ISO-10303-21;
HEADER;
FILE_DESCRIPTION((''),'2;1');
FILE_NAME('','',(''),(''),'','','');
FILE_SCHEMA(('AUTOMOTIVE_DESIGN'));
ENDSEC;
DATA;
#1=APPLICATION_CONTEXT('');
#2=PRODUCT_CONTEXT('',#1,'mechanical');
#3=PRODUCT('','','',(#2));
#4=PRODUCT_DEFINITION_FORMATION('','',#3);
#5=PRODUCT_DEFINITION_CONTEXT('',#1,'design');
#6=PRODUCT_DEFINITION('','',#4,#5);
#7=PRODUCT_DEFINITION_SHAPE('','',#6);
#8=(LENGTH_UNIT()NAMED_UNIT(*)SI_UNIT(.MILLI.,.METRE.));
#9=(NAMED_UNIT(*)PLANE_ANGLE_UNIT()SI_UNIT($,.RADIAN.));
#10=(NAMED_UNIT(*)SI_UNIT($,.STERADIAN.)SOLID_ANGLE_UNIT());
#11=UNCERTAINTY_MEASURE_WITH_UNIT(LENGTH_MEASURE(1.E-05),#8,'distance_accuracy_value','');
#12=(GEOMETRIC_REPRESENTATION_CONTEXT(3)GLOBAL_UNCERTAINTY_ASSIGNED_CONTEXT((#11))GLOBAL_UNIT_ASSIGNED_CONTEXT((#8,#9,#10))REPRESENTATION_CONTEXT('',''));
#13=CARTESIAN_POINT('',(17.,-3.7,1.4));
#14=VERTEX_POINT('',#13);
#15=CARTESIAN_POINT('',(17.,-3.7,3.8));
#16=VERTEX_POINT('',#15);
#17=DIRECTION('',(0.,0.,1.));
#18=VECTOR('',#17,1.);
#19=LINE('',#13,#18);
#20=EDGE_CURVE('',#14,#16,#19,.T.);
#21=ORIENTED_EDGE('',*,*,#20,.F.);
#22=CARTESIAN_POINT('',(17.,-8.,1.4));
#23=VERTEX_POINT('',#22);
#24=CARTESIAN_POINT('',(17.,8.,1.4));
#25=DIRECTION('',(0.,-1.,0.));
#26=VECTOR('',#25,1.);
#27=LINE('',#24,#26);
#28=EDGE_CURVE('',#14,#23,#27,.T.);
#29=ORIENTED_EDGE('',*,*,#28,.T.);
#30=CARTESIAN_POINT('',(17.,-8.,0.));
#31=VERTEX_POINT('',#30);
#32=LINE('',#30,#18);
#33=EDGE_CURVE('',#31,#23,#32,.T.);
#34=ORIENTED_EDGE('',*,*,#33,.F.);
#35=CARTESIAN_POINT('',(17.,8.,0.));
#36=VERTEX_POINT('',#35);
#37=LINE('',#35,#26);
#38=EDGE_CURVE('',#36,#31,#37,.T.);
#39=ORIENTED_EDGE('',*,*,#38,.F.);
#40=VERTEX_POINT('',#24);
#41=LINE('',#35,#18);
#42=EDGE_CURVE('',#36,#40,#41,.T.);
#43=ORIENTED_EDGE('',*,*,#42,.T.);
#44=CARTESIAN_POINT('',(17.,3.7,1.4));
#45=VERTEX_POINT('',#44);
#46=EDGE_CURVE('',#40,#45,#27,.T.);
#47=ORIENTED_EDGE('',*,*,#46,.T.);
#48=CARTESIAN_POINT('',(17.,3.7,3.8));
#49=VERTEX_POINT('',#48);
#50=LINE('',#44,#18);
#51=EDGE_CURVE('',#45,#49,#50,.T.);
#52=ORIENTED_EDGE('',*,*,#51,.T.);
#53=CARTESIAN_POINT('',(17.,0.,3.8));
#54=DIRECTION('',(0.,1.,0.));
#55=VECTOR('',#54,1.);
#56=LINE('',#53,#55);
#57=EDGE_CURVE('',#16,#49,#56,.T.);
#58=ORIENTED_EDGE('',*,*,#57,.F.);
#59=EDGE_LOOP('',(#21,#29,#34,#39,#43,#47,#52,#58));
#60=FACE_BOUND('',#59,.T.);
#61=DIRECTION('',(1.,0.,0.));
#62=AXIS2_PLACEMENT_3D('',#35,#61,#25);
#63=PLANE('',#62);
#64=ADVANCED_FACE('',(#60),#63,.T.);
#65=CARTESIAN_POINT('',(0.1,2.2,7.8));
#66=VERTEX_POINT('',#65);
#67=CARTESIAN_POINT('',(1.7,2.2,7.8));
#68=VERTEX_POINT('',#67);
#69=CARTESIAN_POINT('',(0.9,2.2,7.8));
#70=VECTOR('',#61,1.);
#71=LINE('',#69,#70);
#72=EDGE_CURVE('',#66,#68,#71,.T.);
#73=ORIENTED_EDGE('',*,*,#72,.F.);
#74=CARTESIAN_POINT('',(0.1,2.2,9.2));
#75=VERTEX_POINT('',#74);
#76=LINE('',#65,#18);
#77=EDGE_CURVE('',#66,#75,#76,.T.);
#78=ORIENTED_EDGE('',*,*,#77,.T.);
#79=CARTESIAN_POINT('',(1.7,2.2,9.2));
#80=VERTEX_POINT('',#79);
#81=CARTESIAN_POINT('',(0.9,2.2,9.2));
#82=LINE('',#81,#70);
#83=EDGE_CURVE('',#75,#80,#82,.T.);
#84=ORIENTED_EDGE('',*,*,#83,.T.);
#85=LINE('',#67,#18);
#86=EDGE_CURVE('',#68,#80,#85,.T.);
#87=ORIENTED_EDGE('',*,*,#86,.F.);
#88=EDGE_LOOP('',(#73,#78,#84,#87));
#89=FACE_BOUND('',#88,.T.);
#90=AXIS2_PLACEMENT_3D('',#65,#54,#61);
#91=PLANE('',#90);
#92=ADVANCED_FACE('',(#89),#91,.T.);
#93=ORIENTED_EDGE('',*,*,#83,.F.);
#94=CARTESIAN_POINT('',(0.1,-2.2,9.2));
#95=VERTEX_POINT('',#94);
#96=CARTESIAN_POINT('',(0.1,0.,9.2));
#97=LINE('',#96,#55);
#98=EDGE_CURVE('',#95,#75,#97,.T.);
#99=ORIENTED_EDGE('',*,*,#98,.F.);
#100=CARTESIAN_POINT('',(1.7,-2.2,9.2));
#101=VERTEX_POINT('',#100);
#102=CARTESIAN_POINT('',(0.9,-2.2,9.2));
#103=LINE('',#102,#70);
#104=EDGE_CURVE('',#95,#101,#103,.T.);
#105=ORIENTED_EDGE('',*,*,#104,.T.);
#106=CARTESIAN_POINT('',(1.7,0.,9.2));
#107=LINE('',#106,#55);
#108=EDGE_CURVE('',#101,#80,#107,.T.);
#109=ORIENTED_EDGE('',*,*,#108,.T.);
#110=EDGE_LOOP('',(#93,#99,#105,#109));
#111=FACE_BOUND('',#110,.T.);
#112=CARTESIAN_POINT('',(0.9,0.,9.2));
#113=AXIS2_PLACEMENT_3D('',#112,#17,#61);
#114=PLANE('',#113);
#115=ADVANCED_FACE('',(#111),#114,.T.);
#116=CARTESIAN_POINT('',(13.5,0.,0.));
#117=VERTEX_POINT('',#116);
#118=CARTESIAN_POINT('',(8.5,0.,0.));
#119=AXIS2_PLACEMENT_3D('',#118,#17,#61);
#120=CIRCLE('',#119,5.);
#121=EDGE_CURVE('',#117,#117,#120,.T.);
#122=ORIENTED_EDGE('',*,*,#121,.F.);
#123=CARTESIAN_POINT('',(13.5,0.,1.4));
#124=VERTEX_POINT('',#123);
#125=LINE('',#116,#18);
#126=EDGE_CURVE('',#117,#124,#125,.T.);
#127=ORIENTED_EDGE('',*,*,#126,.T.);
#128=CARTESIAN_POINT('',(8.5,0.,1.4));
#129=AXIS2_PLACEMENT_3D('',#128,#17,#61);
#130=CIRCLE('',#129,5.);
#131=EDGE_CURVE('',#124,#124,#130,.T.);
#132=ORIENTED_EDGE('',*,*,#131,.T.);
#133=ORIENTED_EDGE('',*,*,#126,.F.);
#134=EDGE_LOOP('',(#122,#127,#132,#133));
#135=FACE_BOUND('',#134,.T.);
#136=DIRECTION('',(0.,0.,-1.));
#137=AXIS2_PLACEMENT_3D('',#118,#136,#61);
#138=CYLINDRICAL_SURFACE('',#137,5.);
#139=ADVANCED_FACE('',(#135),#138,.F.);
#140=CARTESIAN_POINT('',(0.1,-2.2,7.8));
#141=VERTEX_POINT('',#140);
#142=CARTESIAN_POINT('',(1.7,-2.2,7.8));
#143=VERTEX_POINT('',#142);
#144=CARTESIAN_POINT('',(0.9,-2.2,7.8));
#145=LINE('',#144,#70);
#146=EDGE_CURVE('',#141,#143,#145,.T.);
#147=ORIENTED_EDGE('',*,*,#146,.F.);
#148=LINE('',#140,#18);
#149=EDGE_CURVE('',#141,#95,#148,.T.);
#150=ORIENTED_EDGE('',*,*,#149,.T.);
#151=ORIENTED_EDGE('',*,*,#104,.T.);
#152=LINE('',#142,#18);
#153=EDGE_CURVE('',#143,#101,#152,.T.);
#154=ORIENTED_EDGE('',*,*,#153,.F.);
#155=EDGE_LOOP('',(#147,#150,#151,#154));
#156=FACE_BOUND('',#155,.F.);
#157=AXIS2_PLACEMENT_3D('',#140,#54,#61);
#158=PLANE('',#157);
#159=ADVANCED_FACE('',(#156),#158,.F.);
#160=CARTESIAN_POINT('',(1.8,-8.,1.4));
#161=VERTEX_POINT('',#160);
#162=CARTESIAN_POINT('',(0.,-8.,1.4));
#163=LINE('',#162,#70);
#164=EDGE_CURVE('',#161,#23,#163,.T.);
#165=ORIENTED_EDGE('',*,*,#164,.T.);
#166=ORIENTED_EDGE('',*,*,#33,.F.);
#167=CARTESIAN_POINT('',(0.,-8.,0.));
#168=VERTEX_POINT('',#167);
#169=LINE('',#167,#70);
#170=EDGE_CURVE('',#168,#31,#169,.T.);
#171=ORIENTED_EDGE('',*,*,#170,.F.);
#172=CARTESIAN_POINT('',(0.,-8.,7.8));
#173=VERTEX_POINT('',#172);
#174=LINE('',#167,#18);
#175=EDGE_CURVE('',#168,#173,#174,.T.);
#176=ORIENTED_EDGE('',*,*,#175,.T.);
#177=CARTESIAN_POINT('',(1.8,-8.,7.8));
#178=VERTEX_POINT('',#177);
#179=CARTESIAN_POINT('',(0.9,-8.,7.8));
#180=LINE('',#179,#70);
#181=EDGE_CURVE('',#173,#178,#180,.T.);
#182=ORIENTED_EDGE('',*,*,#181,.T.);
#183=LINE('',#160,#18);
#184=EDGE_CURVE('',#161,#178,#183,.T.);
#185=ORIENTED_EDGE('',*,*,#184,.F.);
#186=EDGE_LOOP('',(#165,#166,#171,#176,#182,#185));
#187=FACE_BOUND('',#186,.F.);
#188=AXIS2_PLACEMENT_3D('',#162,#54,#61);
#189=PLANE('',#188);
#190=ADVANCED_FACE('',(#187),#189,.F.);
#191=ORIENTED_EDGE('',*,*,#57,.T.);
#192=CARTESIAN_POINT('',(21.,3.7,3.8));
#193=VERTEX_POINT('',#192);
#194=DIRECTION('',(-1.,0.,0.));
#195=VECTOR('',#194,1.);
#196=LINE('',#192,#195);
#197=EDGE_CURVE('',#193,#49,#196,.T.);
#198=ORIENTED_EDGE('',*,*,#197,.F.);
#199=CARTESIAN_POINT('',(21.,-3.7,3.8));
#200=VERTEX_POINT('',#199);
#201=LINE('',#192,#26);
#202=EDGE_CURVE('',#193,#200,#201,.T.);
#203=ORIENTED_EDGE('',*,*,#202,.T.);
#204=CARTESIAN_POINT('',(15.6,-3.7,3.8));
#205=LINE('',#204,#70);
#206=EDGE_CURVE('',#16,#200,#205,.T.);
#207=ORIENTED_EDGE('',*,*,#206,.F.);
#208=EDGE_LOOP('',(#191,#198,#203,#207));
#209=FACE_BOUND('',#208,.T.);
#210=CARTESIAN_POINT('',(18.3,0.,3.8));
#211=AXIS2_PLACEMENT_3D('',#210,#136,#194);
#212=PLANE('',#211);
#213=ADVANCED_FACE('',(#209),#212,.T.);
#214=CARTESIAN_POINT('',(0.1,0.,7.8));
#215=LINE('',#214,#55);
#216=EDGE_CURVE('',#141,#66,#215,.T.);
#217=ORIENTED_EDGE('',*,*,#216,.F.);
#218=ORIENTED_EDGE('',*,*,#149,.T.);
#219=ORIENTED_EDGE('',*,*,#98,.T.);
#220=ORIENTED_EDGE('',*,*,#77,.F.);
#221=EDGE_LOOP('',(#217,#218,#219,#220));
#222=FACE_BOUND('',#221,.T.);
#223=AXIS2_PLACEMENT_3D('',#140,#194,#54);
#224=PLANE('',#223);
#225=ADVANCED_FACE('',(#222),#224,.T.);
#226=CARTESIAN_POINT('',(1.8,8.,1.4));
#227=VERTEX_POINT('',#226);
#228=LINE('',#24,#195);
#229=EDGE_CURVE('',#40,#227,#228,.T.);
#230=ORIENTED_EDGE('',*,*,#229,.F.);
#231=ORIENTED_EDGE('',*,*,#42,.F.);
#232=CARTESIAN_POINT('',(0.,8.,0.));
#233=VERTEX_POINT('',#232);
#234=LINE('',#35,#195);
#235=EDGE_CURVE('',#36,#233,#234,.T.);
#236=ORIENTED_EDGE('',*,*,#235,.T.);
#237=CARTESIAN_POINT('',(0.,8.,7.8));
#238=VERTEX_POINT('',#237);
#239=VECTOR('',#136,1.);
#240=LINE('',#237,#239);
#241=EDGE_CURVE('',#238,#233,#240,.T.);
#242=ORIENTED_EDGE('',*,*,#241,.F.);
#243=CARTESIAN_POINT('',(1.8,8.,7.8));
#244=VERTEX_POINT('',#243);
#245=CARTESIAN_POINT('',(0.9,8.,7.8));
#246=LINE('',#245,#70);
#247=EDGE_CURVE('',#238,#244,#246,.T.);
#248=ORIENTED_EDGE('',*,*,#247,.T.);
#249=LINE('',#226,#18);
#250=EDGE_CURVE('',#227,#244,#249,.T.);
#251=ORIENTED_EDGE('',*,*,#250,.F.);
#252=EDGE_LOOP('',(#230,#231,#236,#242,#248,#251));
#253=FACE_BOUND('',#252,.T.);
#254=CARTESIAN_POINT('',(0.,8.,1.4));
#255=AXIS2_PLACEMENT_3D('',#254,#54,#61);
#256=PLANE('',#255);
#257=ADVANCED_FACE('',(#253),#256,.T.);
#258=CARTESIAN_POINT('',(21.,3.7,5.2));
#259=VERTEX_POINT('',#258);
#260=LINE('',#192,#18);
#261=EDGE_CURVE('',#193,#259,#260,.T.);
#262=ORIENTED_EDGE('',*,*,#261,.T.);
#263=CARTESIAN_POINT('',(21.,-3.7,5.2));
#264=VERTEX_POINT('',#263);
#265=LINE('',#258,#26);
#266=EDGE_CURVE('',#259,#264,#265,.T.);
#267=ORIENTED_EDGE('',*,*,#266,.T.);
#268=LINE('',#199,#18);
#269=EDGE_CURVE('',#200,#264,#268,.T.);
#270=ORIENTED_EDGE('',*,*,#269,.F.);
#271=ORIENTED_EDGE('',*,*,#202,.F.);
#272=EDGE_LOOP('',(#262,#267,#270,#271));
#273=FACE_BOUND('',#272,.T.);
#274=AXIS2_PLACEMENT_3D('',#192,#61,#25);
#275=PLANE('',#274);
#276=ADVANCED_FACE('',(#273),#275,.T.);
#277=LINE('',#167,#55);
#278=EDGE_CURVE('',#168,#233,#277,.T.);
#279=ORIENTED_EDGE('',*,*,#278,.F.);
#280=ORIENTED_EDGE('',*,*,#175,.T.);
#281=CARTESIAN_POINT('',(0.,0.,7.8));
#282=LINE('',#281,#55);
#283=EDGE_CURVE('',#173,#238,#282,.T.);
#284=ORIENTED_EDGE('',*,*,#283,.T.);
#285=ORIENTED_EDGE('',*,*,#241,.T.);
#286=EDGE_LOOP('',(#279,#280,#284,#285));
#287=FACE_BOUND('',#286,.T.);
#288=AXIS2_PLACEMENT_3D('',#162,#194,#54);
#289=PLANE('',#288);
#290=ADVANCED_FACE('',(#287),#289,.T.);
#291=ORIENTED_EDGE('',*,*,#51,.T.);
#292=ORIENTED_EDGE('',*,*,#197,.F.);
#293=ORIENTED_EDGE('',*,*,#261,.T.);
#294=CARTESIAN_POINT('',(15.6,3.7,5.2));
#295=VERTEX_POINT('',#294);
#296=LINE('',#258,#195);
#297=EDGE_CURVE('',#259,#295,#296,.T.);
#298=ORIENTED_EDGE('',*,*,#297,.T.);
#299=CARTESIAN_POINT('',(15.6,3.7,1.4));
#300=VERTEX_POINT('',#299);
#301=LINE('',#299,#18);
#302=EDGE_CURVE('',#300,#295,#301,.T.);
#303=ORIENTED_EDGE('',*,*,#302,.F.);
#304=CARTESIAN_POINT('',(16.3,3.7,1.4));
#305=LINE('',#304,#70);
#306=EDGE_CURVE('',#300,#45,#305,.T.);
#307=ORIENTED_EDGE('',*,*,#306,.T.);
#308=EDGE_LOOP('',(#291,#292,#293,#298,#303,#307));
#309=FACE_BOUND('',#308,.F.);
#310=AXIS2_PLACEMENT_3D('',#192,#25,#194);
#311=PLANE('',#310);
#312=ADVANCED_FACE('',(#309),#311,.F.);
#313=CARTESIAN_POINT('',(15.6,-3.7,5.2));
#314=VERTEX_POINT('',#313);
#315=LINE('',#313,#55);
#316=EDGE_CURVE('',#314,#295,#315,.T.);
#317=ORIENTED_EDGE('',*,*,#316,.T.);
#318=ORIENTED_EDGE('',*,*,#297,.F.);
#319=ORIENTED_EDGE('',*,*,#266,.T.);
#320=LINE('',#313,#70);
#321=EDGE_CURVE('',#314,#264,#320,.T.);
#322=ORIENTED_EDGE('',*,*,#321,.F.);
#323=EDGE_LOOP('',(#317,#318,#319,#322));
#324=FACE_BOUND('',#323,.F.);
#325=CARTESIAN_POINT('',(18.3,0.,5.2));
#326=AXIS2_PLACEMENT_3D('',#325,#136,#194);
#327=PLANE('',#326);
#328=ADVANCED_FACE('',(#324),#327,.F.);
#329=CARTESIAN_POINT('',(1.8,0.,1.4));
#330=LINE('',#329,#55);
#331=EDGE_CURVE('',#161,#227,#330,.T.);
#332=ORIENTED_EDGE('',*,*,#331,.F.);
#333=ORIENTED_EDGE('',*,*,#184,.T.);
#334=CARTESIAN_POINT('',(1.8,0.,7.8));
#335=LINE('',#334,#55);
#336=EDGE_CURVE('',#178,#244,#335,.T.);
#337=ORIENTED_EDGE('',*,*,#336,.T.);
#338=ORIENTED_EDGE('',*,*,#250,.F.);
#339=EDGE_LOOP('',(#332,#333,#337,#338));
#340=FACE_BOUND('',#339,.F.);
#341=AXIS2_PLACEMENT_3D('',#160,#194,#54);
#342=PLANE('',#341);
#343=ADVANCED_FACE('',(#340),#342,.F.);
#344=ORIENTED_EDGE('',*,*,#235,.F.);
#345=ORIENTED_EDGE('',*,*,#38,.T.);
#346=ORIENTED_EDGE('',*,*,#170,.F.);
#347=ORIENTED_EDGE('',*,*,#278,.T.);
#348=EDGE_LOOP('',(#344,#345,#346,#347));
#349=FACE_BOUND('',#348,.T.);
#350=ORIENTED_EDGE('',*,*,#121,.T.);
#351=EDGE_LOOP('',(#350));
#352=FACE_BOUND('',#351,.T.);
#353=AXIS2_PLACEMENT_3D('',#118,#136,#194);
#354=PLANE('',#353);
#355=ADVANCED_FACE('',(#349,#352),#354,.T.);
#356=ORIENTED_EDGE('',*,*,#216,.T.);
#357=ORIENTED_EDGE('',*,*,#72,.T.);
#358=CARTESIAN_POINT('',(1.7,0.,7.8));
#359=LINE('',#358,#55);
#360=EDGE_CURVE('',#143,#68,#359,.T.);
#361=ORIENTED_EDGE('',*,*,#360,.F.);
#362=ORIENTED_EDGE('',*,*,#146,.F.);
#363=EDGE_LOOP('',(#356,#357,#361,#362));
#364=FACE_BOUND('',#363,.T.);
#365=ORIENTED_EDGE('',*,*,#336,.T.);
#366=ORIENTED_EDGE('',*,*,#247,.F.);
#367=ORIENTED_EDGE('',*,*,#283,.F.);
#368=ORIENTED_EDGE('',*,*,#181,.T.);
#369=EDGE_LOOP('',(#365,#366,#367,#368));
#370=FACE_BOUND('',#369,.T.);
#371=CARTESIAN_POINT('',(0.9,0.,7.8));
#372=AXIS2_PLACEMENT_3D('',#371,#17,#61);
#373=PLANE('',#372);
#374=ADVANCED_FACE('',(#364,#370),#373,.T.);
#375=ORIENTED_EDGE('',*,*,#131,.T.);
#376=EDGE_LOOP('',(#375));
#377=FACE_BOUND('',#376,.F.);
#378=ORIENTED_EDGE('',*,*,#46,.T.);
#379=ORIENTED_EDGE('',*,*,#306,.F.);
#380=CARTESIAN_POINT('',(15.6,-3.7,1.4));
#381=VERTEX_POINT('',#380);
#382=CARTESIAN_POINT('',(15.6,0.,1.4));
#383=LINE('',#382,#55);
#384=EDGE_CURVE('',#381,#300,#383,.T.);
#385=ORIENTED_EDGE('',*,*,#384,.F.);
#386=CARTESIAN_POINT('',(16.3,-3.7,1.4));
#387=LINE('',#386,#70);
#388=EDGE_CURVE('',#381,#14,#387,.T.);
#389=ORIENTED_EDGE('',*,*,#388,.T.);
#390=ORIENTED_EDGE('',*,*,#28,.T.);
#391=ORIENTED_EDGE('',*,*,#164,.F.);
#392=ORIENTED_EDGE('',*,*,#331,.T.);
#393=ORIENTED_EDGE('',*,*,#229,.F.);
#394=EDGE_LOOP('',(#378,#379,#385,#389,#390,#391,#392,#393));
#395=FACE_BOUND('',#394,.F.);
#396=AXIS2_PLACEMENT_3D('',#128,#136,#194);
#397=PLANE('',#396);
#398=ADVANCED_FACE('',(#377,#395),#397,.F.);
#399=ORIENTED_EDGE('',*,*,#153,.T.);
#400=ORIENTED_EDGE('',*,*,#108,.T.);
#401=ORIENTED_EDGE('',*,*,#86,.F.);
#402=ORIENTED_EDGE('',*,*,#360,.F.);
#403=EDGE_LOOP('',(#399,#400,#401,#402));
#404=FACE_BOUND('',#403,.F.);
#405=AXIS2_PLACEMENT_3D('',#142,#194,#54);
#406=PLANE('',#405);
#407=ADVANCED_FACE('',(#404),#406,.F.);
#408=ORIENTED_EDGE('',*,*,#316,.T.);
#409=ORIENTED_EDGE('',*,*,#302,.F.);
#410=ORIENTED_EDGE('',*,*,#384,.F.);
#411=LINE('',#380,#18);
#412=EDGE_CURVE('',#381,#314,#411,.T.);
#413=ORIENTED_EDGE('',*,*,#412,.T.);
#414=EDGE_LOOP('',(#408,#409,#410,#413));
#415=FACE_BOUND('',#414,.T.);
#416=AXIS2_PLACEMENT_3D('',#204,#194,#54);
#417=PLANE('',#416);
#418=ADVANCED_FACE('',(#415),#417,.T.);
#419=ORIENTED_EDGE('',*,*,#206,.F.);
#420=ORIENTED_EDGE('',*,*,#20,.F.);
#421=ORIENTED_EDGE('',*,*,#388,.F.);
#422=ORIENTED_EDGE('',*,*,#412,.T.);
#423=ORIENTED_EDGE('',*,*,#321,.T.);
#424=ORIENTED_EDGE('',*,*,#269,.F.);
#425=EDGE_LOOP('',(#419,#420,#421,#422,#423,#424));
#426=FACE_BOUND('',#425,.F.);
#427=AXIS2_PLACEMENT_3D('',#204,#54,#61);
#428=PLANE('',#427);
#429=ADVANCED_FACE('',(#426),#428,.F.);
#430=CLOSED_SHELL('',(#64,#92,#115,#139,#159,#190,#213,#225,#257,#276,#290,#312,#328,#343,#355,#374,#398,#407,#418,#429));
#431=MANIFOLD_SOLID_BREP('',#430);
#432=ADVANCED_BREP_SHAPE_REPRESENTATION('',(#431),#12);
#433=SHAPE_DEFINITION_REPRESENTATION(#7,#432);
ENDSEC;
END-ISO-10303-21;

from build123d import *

# Parameters (mm, degrees)
SKETCH157_R  = 5
PAD031_DEPTH = 1.4
SKETCH158_W  = 1.8
SKETCH158_H  = 16
PAD032_DEPTH = 6.4
SKETCH159_W  = 1.6
SKETCH159_H  = 4.4
PAD033_DEPTH = 1.4
SKETCH160_W  = 1.4
SKETCH160_H  = 7.4
PAD034_DEPTH = 2.4
PAD035_DEPTH = 1.4


with BuildPart() as part:
    # Sketch157 → Pad031 (new body)
    with BuildSketch(Plane.XY):
        Polygon((1.8, 8), (17, 8), (17, -8), (1.8, -8), (0, -8), (0, 8), align=None)
        with Locations((8.5, 0)):
            Circle(SKETCH157_R, mode=Mode.SUBTRACT)
    extrude(amount=PAD031_DEPTH)

    # Sketch158 (on Face5 of Pad031) → Pad032 (join)
    with BuildSketch(Plane.XY.offset(1.4)):
        with Locations((0.9, 0)):
            Rectangle(SKETCH158_W, SKETCH158_H)
    extrude(amount=PAD032_DEPTH)

    # Sketch159 (on Face6 of Pad032) → Pad033 (join)
    with BuildSketch(Plane.XY.offset(7.8)):
        with Locations((0.9, 0)):
            Rectangle(SKETCH159_W, SKETCH159_H)
    extrude(amount=PAD033_DEPTH)

    # Sketch160 (on Face5 of Pad033) → Pad034 (join)
    with BuildSketch(Plane.XY.offset(1.4)):
        with Locations((16.3, 0)):
            Rectangle(SKETCH160_W, SKETCH160_H)
    extrude(amount=PAD034_DEPTH)

    # Sketch161 (on Face12 of Pad034) → Pad035 (join)
    with BuildSketch(Plane.XY.offset(3.8)):
        Polygon((17, 3.7), (21, 3.7), (21, -3.7), (17, -3.7), (15.6, -3.7), (15.6, 3.7), align=None)
    extrude(amount=PAD035_DEPTH)


solid = part.part
